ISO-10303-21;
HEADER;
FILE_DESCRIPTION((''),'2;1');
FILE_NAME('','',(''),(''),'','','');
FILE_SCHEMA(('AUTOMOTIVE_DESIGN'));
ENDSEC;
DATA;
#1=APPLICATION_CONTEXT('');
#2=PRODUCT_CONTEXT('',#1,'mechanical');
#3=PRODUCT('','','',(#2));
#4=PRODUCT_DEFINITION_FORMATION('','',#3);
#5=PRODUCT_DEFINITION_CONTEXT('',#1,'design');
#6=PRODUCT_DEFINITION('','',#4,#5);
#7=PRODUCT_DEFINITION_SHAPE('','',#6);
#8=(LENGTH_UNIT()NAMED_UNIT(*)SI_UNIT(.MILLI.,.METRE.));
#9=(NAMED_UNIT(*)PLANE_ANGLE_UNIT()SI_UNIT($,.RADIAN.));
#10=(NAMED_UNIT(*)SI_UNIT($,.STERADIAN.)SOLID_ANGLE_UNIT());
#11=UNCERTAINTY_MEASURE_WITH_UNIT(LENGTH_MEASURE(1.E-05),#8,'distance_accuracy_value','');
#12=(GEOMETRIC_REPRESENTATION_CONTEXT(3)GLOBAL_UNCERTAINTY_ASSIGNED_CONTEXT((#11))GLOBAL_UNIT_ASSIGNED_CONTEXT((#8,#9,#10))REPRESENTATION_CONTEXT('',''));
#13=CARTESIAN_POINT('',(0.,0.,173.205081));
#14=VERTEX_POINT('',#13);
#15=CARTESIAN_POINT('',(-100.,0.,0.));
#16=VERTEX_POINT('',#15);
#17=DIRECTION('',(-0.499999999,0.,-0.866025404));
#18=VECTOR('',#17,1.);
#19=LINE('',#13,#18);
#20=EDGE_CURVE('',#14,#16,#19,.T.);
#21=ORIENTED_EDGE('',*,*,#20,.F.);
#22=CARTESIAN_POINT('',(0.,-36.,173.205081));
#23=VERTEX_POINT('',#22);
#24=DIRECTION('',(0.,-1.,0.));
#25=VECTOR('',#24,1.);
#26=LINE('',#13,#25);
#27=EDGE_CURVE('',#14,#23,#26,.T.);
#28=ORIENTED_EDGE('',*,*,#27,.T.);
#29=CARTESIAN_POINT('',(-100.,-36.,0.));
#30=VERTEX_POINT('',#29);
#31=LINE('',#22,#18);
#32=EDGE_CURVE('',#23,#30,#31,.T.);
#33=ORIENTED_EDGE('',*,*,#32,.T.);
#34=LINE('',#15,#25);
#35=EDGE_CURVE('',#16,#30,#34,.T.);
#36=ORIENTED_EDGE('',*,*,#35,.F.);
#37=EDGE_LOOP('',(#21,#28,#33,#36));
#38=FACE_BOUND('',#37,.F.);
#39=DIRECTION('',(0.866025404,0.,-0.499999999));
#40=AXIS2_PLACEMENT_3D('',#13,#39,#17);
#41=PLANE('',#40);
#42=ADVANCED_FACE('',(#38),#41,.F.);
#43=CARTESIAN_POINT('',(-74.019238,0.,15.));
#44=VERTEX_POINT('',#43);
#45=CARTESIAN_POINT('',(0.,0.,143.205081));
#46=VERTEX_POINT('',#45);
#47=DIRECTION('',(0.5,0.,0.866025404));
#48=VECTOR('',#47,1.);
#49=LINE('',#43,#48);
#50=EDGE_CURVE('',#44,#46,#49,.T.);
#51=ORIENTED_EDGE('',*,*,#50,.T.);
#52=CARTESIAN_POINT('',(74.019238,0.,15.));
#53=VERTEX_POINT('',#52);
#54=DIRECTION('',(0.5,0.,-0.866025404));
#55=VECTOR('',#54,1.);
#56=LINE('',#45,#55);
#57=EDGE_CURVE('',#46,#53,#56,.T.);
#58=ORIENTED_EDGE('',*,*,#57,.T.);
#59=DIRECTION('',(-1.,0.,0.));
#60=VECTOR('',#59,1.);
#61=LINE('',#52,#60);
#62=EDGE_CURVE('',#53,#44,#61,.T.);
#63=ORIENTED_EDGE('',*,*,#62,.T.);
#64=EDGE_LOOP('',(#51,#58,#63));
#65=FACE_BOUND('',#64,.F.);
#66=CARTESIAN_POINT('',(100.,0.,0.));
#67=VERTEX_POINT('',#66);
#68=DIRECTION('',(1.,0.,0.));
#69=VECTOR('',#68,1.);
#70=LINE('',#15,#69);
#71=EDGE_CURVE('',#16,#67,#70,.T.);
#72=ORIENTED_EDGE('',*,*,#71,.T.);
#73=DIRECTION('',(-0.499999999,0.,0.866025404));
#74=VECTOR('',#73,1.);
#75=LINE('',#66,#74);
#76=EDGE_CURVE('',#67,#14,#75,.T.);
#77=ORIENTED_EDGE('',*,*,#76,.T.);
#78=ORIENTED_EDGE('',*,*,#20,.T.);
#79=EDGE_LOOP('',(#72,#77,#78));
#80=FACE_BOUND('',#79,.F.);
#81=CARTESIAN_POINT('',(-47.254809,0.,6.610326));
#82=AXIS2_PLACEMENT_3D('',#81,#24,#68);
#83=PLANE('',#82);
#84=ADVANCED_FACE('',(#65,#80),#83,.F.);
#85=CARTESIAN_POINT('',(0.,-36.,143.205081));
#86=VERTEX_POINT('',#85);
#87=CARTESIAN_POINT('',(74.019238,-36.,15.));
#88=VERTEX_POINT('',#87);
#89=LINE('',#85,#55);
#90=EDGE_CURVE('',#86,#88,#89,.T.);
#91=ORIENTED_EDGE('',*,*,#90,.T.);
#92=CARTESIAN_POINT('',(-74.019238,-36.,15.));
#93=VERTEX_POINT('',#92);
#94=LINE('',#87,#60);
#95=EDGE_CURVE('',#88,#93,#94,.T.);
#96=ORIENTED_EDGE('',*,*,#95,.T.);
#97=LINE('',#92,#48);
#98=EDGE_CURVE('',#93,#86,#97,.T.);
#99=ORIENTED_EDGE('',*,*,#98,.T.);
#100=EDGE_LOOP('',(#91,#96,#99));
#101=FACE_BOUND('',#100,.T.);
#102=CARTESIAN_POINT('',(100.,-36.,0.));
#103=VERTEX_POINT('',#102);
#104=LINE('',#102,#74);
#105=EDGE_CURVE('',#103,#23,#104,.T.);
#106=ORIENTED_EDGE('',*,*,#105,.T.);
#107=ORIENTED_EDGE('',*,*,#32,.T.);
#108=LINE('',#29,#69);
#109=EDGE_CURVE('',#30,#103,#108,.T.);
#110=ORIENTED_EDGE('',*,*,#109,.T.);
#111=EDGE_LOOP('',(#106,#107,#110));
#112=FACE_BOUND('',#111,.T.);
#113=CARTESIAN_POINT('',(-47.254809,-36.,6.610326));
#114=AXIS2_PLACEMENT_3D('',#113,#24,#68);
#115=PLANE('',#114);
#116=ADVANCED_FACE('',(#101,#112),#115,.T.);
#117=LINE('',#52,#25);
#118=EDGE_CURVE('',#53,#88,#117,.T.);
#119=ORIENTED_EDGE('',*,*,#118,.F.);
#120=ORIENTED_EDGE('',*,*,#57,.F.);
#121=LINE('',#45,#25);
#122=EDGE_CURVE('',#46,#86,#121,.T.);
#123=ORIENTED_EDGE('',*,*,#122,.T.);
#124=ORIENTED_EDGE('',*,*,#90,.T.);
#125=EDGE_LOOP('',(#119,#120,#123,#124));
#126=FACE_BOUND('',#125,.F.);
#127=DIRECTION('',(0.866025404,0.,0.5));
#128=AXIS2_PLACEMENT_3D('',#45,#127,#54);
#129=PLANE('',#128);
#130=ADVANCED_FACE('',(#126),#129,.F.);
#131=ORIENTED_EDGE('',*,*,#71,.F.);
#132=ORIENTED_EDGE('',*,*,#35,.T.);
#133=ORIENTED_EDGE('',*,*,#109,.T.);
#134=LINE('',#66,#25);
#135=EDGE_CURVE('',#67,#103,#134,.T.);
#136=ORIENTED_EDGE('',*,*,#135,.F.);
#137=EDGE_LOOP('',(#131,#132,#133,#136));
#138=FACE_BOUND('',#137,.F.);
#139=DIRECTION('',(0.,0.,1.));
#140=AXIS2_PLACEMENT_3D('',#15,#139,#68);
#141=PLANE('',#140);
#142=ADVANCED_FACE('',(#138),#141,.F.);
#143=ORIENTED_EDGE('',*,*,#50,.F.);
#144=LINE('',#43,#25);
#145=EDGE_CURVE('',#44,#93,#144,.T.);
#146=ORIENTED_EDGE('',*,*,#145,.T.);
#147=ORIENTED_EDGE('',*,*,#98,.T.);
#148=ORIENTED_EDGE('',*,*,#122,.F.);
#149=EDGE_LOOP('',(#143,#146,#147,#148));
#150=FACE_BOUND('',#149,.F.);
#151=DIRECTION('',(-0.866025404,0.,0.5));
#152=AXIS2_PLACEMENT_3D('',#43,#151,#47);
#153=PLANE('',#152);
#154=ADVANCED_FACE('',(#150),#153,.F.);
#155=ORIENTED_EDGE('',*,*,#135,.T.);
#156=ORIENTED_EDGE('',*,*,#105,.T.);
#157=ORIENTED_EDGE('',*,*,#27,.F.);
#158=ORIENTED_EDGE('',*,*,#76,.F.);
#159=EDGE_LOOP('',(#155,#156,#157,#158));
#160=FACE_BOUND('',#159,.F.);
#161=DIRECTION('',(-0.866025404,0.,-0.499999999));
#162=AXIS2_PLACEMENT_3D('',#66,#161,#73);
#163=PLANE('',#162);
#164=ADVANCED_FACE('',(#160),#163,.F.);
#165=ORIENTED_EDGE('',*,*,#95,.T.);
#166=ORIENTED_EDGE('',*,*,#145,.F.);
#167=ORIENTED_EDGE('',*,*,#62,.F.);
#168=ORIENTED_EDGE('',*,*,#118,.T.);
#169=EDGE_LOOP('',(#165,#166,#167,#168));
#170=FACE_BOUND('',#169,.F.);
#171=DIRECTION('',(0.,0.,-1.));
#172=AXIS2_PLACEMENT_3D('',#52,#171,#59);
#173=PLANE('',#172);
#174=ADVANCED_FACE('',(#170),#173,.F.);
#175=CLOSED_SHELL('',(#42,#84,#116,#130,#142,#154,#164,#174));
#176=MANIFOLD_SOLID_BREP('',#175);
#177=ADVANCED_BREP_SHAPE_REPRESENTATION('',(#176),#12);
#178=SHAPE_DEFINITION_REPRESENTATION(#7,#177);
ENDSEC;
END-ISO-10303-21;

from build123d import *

# Parameters (mm, degrees)
F1_DEPTH = 36


with BuildPart() as f1:
    # F0 (on Front) → F1 (new body)
    with BuildSketch(Plane.XZ):
        Polygon((-100, 0), (0, 0), (0, 15), (-74.019238, 15), align=None)
        Polygon((0, 15), (0, 0), (100, 0), (0, 173.205081), (0, 143.205081), (74.019238, 15), align=None)
        Polygon((0, 173.205081), (-100, 0), (-74.019238, 15), (0, 143.205081), align=None)
    extrude(amount=F1_DEPTH)


solid = f1.part
